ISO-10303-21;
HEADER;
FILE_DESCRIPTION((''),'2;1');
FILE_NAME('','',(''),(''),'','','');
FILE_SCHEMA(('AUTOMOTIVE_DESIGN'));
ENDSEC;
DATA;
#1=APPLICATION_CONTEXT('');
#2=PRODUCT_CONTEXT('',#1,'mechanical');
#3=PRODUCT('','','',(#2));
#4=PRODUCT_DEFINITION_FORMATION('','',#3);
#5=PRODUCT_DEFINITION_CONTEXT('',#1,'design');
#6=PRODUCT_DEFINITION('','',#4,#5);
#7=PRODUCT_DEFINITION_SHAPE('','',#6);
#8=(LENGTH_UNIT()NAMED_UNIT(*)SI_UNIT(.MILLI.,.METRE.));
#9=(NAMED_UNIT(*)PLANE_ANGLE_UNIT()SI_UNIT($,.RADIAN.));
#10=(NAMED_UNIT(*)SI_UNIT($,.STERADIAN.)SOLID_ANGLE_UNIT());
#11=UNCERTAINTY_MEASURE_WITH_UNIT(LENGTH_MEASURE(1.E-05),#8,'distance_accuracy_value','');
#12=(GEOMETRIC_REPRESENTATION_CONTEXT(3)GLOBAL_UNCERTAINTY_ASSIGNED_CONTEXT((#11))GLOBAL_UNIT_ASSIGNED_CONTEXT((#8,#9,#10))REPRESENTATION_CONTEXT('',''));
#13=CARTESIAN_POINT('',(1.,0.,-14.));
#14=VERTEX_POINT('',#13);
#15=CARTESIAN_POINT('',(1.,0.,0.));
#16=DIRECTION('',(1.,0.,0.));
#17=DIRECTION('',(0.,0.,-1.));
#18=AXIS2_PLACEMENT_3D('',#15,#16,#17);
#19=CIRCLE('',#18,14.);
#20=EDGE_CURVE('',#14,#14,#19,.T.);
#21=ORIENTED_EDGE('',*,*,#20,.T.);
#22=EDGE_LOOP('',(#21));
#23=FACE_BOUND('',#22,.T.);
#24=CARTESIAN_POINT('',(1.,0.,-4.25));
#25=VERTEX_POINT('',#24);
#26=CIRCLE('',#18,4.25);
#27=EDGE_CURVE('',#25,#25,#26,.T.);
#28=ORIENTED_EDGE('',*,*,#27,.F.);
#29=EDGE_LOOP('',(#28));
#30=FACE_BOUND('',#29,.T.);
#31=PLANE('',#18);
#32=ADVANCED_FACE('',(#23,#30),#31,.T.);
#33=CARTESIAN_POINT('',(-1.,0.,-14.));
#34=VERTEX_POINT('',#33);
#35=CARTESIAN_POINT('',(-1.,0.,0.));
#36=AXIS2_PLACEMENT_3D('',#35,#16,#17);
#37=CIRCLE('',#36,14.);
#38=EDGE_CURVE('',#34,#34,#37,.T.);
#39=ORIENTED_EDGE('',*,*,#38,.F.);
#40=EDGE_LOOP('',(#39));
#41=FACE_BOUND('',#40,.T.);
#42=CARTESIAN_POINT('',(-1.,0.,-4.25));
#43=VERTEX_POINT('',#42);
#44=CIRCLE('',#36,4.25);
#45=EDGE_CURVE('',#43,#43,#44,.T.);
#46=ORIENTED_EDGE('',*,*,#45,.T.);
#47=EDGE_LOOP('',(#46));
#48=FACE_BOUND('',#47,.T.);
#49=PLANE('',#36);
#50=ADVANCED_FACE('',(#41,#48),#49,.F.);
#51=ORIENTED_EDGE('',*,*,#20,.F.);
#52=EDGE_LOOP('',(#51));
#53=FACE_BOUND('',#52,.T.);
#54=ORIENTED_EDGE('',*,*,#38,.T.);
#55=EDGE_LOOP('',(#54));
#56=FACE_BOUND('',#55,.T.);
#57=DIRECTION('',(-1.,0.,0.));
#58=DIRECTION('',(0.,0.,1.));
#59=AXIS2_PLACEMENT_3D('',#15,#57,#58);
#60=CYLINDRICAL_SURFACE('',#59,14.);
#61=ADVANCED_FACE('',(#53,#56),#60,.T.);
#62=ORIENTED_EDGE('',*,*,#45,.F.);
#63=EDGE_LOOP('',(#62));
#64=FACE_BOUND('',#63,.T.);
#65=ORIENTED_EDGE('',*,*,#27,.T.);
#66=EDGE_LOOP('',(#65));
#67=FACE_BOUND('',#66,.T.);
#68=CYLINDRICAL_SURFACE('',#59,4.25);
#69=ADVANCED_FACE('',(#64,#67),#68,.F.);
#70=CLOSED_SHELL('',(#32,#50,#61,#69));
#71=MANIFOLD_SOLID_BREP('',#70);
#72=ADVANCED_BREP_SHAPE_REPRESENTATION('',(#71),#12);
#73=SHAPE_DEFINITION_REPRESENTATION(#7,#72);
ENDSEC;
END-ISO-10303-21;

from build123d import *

# Parameters (mm, degrees)
SKETCH1_R           = 14
SKETCH1_R_2         = 4.25
BOSS_EXTRUDE1_DEPTH = 1


with BuildPart() as part:
    # Sketch1 → Boss-Extrude1 (new, symmetric)
    with BuildSketch(Plane(origin=(0, 0, 0), x_dir=(0, 0, -1), z_dir=(1, 0, 0))):
        Circle(SKETCH1_R)
        Circle(SKETCH1_R_2, mode=Mode.SUBTRACT)
    extrude(amount=BOSS_EXTRUDE1_DEPTH, both=True)


solid = part.part
